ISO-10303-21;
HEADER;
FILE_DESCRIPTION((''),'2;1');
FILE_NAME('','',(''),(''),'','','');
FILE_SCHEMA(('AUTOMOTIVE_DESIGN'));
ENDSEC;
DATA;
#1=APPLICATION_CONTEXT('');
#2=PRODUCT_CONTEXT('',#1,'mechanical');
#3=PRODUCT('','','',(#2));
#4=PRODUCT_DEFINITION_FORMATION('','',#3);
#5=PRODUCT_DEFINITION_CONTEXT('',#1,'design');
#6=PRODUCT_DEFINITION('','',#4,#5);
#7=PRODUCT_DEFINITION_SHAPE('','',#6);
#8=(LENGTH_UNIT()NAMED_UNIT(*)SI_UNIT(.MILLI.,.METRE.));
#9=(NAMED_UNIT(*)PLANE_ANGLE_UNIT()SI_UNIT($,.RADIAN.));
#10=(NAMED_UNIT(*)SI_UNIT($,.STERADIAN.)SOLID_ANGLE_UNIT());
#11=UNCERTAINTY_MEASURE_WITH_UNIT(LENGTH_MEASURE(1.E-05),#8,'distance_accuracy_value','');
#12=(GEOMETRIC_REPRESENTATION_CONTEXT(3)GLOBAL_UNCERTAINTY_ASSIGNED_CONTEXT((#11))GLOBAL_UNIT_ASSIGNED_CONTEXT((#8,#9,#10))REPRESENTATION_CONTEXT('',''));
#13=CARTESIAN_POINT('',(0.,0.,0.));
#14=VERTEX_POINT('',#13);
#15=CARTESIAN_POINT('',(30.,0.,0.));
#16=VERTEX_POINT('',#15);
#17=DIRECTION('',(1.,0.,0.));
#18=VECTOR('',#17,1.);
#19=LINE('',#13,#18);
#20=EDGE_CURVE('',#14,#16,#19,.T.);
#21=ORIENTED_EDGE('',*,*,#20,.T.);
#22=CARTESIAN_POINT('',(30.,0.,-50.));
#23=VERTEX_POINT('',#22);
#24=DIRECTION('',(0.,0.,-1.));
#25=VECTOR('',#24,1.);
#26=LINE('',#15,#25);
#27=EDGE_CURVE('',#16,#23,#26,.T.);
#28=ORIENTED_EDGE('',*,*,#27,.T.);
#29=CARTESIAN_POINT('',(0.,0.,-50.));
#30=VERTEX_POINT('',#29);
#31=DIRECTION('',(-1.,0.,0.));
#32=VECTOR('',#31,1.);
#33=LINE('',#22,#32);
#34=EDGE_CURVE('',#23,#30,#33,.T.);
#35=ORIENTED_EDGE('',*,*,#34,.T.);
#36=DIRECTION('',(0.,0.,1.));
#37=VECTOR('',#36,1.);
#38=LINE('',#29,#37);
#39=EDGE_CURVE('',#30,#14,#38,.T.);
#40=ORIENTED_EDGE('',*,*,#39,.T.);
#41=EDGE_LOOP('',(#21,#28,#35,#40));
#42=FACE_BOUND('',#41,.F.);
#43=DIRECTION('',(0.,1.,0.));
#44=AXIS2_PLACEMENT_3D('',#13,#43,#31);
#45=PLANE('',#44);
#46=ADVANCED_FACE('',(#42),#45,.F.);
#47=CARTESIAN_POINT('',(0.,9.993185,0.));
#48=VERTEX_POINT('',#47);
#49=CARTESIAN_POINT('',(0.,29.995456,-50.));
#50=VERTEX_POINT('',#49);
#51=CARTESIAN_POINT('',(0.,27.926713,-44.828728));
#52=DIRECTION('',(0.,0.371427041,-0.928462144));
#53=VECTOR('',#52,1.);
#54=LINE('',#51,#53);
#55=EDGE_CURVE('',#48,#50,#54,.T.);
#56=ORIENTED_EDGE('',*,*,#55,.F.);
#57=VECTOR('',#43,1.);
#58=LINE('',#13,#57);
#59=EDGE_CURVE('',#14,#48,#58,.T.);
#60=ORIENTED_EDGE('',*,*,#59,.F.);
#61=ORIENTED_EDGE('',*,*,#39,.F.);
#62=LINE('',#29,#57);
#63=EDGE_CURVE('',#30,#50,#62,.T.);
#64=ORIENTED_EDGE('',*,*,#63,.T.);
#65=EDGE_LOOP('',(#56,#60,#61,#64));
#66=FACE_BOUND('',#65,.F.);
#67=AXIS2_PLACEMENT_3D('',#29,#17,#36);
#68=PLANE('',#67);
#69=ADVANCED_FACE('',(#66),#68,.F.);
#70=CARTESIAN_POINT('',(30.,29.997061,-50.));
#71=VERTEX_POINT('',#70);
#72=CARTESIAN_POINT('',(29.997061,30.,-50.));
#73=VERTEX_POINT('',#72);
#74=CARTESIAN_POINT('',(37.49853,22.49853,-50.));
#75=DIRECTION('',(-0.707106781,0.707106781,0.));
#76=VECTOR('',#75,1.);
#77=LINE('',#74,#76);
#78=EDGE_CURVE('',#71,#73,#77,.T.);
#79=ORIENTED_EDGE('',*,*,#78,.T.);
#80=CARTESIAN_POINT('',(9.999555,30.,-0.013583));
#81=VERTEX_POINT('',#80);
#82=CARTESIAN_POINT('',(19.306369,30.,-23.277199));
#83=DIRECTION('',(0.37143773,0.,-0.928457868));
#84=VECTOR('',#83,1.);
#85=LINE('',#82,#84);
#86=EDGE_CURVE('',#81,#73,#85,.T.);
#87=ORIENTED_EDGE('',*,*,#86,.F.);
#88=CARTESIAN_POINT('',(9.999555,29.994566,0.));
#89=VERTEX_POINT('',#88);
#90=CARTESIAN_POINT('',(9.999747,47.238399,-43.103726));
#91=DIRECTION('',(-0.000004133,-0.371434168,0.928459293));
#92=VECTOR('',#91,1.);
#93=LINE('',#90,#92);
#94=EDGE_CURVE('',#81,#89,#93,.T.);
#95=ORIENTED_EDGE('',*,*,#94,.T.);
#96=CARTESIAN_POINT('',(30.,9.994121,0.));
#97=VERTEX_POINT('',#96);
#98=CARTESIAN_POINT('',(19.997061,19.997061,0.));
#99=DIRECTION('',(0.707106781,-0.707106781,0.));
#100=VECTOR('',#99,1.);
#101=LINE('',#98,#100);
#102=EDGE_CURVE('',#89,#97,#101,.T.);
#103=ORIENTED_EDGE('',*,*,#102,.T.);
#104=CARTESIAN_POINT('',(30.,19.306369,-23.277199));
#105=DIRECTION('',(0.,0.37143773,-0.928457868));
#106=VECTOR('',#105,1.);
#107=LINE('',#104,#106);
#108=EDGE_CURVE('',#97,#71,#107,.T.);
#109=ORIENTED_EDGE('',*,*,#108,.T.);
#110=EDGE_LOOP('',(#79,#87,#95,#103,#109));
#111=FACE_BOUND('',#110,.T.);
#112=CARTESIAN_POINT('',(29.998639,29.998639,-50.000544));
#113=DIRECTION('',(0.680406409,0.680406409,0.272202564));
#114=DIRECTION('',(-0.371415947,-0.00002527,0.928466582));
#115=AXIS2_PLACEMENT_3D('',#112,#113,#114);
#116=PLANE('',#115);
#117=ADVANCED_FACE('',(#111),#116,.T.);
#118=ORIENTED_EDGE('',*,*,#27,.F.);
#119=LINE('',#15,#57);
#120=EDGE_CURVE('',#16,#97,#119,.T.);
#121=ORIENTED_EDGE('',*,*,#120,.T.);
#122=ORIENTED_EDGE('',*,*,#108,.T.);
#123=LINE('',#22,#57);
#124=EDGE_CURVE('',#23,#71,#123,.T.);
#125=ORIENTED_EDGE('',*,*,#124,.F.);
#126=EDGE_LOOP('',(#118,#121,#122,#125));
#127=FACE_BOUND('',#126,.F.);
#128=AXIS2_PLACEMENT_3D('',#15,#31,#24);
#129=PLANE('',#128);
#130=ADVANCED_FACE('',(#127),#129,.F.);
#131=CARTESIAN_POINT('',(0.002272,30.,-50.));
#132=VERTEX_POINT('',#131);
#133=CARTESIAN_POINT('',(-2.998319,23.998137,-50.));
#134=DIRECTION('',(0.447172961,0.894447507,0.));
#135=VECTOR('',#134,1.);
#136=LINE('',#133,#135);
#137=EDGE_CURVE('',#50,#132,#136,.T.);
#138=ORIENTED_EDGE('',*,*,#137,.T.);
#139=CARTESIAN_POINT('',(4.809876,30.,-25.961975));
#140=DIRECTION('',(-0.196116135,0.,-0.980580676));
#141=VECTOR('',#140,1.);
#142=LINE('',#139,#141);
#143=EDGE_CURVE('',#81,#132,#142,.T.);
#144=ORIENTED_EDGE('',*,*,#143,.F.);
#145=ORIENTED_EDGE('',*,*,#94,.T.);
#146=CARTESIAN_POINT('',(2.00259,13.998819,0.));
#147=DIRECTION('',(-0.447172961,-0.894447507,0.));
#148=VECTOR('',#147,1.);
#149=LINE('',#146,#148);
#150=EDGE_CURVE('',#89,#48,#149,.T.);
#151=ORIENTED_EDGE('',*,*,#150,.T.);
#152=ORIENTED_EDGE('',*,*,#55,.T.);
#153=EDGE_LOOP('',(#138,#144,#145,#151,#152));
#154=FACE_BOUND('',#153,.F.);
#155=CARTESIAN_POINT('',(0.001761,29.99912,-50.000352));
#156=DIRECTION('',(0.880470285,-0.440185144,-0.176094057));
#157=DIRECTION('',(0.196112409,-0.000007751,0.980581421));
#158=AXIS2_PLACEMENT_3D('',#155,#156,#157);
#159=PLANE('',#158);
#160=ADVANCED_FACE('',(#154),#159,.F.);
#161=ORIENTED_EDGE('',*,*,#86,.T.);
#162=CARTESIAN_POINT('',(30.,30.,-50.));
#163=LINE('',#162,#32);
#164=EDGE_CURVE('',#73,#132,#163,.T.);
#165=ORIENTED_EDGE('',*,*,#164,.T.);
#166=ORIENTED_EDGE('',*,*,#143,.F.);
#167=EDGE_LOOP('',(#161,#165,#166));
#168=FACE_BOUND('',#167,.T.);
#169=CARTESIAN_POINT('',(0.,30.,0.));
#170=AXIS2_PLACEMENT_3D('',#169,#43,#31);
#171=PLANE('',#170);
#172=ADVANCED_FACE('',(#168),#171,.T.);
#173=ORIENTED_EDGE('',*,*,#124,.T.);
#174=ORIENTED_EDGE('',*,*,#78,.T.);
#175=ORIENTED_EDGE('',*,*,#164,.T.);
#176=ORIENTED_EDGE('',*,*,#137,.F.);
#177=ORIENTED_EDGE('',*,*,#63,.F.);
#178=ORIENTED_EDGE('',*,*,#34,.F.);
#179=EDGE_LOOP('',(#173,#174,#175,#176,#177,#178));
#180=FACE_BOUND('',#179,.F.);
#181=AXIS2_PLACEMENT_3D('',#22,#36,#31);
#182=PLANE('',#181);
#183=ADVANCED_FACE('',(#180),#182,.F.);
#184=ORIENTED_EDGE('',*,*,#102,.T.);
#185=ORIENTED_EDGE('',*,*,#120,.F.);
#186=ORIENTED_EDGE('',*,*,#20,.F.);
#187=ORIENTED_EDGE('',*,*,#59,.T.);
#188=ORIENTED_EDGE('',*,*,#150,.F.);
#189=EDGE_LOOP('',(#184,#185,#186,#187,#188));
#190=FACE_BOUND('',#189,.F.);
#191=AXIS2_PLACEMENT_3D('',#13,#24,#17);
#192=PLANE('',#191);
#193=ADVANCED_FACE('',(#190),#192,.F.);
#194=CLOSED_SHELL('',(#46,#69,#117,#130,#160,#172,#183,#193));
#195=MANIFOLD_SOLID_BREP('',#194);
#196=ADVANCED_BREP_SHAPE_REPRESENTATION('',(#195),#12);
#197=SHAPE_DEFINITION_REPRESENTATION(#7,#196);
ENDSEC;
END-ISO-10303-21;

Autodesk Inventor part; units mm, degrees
ref_plane "YZ Plane" through (0, 0, 0) normal (1, 0, 0) x (0, 1, 0)
sketch "草圖1" plane through (0, 0, 0) normal (0, 1, 0) x (-1, 0, 0)
  line L0 (0, 0) -> (-30, 0)
  line L1 (-30, 0) -> (-30, -50)
  line L2 (-30, -50) -> (0, -50)
  line L3 (0, -50) -> (0, 0)
  dimension "d0" = 30
  dimension "d1" = 50
extrude "擠出1" add sketch "草圖1" along normal blind 30
sketch "草圖2" plane through (0, 0, 0) normal (0, 0, 1) x (1, 0, 0)
  line L0 (0, 0) -> (0, 30) projected
  line L1 (30, 0) -> (30, 30) projected
  line L2 (0, 0) -> (30, 0) projected
  line L3 (0, 30) -> (30, 30) projected
  point P0 (0, 10)
  point P1 (30, 10)
  point P2 (10, 30)
  dimension "d4" = 10
  dimension "d5" = 10
  dimension "d6" = 10
ref_plane "工作平面1" through (0, 30, -50) normal (0.8805, -0.4402, -0.1761) x (0.1961, 0, 0.9806)
sketch "草圖3" plane through (0, 30, -50) normal (0.8805, -0.4402, -0.1761) x (0.1961, 0, 0.9806)
  line L0 (-9.0591, -8.5092) -> (64.1783, -8.5092)
  line L1 (64.1783, -8.5092) -> (64.1783, 25.3878)
  line L2 (64.1783, 25.3878) -> (-9.0591, 25.3878)
  line L3 (-9.0591, 25.3878) -> (-9.0591, -8.5092)
  point P0 (49.029, 31.2534)
extrude "擠出2" cut sketch "草圖3" against normal blind 30
ref_plane "工作平面2" through (30, 30, -50) normal (0.6804, 0.6804, 0.2722) x (-0.3714, 0, 0.9285)
sketch "草圖4" plane through (30, 30, -50) normal (0.6804, 0.6804, 0.2722) x (-0.3714, 0, 0.9285)
  line L0 (68.88, -9.2139) -> (-15.4545, -9.2139)
  line L1 (-15.4545, -9.2139) -> (-15.4545, 38.1391)
  line L2 (-15.4545, 38.1391) -> (68.88, 38.1391)
  line L3 (68.88, 38.1391) -> (68.88, -9.2139)
  point P0 (57.5656, 15.6674)
extrude "擠出3" cut sketch "草圖4" along normal blind 30
properties part number "40"
